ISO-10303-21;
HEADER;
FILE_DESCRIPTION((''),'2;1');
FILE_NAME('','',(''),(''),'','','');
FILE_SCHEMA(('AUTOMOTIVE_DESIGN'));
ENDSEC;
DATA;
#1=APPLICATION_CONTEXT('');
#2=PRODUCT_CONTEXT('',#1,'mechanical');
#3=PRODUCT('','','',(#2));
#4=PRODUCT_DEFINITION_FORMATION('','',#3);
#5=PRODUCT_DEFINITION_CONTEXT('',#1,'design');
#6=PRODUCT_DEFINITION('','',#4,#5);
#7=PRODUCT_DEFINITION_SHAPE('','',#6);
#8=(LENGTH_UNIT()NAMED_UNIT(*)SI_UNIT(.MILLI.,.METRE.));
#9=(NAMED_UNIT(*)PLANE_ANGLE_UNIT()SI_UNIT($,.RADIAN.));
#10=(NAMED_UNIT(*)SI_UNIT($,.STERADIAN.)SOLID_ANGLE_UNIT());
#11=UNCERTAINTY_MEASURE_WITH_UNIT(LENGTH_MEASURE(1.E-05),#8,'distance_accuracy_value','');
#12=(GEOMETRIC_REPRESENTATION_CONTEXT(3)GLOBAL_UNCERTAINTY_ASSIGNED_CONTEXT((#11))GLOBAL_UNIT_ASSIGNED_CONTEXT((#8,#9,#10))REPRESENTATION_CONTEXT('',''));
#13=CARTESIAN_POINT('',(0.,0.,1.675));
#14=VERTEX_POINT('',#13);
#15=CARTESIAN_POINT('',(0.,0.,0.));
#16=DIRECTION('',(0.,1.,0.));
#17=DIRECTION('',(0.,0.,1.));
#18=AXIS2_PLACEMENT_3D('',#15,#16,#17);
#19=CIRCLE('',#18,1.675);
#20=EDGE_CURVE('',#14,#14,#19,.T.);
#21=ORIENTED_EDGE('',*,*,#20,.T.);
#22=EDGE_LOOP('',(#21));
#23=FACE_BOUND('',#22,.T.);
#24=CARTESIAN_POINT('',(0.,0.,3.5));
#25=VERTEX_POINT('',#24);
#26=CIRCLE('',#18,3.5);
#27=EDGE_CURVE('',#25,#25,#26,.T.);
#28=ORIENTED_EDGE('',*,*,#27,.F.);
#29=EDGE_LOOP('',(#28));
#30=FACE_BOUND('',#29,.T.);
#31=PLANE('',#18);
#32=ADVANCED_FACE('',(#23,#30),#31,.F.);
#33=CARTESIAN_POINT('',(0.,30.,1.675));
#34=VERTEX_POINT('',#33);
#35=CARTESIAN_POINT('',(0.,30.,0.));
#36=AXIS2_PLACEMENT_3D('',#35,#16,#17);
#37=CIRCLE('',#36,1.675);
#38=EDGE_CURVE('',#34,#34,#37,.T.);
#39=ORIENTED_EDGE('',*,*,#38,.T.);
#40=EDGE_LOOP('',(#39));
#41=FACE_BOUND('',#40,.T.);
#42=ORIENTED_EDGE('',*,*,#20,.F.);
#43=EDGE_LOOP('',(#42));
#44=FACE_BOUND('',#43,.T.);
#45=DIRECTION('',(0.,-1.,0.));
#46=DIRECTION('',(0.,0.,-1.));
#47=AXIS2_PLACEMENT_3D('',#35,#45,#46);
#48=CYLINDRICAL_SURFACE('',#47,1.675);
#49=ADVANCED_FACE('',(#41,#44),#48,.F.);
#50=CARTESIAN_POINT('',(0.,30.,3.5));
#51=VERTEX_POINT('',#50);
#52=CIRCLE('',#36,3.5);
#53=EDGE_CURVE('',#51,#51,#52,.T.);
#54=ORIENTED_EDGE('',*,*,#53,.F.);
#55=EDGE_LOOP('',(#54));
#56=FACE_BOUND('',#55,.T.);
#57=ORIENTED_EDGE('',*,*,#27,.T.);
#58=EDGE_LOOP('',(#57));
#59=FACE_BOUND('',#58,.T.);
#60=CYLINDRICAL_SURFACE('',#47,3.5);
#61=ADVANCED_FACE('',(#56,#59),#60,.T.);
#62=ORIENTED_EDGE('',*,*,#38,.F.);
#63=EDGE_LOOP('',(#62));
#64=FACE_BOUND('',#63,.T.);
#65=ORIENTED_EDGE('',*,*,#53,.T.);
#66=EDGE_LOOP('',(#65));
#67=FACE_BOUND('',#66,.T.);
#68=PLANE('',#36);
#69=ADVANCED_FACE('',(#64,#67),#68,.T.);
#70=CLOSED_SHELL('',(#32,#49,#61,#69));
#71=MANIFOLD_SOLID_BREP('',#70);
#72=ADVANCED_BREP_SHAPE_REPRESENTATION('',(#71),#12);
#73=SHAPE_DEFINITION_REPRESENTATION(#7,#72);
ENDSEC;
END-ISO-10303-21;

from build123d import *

# Parameters (mm, degrees)
SKETCH1_R           = 3.5
SKETCH1_R_2         = 1.675
BOSS_EXTRUDE1_DEPTH = 30


with BuildPart() as part:
    # Sketch1 → Boss-Extrude1 (new body)
    with BuildSketch(Plane(origin=(0, 0, 0), x_dir=(1, 0, 0), z_dir=(0, 1, 0))):
        with Locations(Location((0, 0, 0), (0, 0, 270))):
            Circle(SKETCH1_R)
        with Locations(Location((0, 0, 0), (0, 0, 270))):
            Circle(SKETCH1_R_2, mode=Mode.SUBTRACT)
    extrude(amount=BOSS_EXTRUDE1_DEPTH)


solid = part.part
